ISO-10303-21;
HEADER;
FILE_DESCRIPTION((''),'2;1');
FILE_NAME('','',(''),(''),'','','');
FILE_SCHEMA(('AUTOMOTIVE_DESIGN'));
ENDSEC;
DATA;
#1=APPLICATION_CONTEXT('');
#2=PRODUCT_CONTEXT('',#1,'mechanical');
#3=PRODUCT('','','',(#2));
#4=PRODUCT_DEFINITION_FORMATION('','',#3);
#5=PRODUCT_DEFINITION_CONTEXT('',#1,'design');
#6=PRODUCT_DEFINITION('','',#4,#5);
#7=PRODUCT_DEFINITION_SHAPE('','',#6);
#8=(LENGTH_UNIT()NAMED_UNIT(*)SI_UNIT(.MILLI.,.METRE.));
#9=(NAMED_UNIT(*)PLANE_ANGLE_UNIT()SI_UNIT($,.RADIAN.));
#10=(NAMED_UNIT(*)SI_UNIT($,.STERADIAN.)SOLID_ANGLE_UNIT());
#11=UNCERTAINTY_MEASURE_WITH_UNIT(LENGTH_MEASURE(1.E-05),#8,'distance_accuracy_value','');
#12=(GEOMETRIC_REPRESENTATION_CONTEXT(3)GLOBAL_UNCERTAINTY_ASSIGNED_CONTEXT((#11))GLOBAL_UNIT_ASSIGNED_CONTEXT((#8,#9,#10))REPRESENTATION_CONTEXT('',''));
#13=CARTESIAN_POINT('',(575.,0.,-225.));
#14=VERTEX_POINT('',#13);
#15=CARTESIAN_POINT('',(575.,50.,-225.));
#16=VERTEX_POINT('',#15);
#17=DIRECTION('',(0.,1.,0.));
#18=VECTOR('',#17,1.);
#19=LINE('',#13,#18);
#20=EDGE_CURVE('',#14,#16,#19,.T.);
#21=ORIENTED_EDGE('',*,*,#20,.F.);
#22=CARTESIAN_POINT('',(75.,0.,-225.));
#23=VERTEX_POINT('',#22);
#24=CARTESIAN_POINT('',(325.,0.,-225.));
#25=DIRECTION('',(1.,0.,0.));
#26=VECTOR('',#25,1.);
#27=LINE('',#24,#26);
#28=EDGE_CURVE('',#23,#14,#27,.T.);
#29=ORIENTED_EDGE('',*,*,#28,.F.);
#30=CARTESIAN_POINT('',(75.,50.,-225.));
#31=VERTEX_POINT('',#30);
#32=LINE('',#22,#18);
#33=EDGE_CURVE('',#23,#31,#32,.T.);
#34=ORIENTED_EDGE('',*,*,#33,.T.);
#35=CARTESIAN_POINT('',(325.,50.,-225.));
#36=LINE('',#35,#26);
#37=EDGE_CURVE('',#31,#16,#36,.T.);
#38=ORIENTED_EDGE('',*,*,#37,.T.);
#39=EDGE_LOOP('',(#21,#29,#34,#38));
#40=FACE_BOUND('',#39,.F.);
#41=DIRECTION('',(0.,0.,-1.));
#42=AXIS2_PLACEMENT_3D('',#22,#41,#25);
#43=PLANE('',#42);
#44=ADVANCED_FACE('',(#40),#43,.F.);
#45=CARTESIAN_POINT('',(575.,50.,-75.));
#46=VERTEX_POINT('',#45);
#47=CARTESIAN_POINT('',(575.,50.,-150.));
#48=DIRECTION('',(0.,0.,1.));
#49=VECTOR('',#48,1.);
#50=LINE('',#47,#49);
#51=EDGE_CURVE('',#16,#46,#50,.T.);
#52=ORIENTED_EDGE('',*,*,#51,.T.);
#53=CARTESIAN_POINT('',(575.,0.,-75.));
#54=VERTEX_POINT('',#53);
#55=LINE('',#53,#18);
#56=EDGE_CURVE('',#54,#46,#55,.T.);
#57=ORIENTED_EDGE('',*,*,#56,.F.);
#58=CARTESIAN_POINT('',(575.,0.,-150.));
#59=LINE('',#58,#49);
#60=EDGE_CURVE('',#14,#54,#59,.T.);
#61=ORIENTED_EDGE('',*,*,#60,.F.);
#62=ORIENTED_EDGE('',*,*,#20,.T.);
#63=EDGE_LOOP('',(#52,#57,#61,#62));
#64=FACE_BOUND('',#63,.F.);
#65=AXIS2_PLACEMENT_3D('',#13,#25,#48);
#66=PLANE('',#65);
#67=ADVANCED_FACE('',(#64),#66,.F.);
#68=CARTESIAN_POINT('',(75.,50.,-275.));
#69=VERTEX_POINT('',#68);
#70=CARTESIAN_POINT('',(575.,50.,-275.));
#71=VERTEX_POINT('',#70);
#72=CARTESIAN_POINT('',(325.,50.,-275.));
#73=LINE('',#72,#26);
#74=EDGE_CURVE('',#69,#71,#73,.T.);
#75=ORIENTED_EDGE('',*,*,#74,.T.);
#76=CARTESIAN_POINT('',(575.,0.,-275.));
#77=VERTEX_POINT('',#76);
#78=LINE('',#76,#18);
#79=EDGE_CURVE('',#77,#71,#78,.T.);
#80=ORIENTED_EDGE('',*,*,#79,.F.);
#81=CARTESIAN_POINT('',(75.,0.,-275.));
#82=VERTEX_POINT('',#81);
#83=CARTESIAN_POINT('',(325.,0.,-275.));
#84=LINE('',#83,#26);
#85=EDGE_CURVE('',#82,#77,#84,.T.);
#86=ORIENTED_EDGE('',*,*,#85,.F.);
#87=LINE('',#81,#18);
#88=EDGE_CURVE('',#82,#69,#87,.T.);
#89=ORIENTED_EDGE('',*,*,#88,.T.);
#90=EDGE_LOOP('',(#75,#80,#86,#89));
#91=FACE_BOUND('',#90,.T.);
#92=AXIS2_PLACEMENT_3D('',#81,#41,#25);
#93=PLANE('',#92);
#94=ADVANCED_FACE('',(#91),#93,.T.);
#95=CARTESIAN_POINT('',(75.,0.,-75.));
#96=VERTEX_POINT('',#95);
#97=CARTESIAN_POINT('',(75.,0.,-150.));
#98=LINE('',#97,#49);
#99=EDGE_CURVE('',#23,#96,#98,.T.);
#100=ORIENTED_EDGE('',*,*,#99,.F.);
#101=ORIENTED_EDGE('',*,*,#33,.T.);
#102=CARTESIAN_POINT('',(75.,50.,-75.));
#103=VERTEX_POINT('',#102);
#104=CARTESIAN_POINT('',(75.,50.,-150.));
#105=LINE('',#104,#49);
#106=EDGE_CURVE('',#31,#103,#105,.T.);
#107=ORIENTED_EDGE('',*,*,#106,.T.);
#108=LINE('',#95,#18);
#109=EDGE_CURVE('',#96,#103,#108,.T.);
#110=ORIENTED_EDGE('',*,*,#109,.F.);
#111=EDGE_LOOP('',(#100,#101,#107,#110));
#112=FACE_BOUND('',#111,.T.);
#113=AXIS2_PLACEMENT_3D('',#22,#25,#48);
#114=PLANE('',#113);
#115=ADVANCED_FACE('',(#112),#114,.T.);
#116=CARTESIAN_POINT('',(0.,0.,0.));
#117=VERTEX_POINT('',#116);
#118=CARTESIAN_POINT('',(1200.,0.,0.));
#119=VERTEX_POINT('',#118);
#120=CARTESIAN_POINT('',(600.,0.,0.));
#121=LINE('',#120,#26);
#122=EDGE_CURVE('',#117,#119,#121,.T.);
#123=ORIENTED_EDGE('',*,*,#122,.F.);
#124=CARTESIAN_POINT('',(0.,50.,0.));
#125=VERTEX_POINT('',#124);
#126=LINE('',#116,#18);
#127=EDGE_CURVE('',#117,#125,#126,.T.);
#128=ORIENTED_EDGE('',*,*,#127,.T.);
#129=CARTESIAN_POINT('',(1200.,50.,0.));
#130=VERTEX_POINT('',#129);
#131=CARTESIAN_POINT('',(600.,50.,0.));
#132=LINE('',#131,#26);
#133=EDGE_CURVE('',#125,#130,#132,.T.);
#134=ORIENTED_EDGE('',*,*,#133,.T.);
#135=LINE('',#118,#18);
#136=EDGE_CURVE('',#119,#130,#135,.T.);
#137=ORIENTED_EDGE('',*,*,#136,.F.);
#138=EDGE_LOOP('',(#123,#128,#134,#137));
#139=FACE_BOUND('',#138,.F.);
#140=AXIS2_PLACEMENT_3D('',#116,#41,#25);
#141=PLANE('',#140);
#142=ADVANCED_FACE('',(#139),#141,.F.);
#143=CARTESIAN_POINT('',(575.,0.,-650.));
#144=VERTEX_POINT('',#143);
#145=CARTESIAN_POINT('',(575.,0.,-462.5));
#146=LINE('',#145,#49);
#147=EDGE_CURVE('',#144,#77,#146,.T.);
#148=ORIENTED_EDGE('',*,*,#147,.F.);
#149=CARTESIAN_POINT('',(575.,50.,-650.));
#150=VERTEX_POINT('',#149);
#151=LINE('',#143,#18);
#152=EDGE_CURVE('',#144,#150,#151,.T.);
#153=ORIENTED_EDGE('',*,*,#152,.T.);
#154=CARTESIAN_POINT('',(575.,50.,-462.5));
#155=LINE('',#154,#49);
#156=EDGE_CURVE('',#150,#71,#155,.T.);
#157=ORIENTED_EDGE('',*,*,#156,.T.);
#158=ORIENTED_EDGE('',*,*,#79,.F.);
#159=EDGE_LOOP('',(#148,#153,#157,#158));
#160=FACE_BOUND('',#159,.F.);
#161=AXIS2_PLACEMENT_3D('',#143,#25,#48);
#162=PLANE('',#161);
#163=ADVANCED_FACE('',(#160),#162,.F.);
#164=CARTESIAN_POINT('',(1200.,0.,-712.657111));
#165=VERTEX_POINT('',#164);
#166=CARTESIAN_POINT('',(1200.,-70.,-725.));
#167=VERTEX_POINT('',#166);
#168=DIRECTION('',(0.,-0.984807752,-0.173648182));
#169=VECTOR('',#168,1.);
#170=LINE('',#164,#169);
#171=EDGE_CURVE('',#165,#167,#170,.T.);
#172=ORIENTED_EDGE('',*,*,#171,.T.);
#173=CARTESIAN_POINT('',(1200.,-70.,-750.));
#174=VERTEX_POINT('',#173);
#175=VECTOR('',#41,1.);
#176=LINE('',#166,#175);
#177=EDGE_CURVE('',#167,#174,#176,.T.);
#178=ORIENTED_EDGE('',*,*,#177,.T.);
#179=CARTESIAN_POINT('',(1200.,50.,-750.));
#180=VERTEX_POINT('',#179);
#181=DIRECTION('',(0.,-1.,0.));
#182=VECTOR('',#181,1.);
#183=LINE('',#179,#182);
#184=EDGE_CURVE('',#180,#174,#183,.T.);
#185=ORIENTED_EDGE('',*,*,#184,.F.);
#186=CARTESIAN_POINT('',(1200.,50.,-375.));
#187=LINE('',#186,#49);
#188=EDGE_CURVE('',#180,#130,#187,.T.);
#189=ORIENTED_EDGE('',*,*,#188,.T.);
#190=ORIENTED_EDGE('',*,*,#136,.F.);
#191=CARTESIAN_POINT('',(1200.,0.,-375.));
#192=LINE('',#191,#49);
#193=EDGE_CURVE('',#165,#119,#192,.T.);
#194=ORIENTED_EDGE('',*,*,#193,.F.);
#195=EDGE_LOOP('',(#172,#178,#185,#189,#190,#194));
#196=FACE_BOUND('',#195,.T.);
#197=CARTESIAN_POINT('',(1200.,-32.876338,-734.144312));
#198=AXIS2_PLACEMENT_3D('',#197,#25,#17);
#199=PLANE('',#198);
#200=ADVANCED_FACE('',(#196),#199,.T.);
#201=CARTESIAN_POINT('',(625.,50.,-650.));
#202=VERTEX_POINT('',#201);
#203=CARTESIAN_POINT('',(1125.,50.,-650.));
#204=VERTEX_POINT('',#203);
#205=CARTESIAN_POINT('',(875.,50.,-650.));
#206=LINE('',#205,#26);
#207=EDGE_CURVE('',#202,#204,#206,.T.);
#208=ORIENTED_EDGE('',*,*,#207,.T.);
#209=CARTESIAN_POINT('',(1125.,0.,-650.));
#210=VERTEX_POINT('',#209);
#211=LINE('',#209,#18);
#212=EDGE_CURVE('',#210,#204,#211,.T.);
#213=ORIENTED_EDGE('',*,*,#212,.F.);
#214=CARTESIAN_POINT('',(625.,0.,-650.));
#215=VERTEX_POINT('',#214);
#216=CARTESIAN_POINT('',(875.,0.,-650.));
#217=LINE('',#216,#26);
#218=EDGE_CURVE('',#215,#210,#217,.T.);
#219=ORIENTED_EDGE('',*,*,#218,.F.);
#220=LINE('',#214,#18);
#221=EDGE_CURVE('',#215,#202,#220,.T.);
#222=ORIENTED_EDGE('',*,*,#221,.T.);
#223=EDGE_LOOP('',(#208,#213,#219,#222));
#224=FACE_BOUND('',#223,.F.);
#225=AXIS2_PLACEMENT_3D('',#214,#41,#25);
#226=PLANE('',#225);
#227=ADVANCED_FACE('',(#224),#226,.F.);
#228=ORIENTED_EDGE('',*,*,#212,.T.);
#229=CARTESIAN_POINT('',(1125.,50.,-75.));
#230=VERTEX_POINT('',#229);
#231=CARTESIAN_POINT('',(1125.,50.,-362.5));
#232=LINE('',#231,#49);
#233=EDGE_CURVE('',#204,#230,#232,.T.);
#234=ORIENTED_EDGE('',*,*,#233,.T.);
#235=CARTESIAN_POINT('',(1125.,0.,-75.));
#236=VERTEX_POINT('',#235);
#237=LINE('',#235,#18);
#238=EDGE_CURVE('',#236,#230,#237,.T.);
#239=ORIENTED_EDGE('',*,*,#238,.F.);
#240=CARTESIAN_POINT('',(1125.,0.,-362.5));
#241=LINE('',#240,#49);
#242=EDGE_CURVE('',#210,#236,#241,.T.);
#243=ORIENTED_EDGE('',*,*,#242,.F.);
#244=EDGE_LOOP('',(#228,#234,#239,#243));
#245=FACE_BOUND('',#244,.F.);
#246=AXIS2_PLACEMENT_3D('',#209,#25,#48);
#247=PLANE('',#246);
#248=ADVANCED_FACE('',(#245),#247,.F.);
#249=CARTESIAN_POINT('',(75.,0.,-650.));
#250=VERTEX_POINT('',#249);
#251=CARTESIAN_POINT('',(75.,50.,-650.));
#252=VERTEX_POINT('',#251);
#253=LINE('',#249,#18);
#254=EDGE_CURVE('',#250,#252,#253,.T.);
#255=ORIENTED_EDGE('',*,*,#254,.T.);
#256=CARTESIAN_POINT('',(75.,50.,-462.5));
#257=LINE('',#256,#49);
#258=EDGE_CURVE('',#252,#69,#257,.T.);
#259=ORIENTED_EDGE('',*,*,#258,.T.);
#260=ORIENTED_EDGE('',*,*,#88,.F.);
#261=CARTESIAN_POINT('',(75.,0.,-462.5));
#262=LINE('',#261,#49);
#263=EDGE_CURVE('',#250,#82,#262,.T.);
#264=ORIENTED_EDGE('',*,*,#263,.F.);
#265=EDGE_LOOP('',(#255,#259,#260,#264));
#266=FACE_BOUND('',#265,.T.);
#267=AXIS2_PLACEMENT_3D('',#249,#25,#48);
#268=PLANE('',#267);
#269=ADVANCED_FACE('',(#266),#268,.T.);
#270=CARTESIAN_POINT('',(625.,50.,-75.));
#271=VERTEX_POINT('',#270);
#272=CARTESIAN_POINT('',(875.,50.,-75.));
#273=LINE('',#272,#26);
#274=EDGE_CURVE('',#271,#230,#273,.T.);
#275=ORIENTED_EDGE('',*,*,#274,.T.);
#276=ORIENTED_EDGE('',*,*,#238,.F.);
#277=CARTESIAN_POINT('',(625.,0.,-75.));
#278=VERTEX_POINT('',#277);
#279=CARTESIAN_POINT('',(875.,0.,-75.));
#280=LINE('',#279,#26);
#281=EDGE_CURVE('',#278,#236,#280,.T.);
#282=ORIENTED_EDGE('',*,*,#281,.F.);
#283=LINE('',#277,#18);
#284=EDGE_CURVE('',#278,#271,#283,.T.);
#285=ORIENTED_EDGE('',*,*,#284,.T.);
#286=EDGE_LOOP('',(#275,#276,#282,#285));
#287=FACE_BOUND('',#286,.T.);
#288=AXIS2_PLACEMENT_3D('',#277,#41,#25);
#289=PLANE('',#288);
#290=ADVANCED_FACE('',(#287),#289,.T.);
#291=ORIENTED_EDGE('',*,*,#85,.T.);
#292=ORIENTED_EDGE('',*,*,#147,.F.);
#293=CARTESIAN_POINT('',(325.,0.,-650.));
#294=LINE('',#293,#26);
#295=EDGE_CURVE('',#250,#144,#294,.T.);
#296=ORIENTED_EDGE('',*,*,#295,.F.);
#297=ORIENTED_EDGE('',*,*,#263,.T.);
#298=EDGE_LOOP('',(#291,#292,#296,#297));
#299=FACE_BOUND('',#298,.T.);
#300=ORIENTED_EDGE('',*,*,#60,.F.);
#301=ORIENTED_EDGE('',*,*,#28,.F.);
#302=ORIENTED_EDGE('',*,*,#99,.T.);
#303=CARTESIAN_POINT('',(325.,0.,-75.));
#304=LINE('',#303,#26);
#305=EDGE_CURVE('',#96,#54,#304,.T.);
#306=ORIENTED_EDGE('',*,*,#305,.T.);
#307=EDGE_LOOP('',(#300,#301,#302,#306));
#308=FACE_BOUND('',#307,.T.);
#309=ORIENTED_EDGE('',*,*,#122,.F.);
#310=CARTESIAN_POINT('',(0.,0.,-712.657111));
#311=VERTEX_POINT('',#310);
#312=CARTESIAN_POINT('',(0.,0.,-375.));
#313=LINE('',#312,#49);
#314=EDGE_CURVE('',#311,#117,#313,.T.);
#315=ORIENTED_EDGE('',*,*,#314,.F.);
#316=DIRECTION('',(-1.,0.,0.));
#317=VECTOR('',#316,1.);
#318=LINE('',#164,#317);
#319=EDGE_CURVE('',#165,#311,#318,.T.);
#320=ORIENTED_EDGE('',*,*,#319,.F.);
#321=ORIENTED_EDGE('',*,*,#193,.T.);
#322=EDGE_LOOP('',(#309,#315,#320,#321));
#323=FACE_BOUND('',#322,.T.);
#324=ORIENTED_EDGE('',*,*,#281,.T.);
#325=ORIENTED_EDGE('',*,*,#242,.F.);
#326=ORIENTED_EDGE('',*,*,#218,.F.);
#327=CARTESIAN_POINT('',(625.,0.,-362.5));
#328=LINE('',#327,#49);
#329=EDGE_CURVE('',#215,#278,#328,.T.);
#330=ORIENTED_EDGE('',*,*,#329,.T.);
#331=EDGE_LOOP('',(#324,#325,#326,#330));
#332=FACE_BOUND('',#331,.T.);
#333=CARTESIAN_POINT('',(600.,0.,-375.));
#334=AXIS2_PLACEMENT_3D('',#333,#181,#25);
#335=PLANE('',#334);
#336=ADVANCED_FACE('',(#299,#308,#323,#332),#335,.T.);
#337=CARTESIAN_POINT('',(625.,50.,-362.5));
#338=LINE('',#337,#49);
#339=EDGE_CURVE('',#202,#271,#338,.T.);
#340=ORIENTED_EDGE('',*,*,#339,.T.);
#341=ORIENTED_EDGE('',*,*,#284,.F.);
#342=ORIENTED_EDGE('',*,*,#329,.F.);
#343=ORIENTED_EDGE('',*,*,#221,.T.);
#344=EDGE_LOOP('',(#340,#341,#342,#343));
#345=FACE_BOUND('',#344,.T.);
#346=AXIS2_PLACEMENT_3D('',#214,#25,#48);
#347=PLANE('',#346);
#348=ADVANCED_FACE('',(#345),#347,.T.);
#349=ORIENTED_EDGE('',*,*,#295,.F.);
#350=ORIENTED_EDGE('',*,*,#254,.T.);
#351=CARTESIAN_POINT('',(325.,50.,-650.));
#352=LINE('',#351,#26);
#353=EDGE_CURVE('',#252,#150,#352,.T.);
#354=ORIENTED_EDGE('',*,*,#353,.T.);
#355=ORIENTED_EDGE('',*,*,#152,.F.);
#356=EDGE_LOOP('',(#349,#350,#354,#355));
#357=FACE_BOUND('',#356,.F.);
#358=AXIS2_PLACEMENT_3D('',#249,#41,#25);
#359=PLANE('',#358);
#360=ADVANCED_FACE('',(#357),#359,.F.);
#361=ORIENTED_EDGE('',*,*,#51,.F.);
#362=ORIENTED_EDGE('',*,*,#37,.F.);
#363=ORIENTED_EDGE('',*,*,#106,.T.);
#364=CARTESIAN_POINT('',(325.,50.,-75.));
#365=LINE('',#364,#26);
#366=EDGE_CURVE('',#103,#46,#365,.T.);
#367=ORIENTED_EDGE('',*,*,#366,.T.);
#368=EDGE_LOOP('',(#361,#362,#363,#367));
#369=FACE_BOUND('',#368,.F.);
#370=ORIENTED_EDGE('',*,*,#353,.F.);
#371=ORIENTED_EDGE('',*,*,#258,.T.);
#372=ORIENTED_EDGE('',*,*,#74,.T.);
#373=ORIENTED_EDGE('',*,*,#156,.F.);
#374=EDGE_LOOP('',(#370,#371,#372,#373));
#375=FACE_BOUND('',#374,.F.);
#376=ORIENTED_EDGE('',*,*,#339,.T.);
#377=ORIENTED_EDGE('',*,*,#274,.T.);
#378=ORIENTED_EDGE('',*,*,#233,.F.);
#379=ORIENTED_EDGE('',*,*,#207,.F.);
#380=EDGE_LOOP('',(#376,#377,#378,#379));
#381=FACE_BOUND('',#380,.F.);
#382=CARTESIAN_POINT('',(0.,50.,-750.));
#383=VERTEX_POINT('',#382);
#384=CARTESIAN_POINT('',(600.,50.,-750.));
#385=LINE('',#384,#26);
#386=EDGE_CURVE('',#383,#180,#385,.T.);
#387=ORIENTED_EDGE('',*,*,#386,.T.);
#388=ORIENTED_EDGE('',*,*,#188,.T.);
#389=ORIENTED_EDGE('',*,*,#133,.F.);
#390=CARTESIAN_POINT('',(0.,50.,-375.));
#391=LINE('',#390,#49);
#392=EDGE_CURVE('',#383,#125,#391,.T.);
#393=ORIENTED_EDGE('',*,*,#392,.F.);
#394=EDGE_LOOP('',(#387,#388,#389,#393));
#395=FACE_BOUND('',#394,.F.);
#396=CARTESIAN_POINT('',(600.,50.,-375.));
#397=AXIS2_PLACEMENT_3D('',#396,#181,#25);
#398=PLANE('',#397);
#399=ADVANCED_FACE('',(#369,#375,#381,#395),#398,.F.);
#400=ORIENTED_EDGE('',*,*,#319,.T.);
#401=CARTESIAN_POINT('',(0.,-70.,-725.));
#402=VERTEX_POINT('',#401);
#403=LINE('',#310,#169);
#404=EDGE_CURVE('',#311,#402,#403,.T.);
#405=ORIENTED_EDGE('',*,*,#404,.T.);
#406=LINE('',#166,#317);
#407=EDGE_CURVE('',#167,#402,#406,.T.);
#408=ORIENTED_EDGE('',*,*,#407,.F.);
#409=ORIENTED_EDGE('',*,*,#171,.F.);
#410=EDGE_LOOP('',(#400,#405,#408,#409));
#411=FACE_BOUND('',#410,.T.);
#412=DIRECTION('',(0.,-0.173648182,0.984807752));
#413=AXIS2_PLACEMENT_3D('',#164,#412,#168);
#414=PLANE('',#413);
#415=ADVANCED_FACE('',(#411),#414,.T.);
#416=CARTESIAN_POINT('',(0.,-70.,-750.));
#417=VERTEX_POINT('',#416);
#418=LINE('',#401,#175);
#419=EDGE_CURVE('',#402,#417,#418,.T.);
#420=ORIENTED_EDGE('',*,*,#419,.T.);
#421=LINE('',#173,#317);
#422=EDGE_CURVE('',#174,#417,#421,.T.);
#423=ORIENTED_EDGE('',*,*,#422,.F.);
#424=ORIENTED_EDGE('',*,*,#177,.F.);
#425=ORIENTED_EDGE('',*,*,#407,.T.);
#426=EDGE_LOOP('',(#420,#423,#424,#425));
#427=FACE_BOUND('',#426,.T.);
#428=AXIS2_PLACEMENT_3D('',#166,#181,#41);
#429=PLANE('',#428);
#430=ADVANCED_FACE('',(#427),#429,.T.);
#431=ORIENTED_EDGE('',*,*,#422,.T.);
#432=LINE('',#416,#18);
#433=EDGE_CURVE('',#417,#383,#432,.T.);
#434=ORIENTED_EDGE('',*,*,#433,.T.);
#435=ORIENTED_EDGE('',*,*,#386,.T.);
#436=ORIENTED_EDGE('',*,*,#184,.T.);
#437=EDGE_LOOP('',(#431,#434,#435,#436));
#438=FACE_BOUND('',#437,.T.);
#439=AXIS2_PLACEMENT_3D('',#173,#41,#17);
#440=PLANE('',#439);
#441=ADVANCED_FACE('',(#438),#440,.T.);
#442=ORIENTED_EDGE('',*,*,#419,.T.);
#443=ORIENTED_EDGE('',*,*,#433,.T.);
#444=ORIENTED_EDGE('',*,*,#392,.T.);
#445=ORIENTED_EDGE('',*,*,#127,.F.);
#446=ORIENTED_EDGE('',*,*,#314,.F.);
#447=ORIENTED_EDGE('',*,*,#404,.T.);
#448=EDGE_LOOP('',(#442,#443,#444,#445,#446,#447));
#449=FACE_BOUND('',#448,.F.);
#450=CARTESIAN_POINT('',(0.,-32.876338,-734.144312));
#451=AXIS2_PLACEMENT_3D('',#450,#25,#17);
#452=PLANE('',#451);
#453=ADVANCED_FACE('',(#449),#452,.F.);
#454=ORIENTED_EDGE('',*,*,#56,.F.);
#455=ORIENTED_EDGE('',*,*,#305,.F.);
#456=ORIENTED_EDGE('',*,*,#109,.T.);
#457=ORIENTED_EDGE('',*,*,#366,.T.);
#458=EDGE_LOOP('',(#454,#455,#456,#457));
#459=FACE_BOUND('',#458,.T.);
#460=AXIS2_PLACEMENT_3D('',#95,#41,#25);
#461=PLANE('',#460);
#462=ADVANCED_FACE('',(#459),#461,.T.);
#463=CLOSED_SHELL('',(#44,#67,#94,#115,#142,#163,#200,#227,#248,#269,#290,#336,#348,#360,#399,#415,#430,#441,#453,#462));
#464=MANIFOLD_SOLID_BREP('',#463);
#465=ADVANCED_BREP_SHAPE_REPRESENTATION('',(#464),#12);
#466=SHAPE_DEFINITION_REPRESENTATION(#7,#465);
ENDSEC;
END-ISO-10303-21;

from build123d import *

# Parameters (mm, degrees)
F0_W     = 1200
F0_H     = 750
F0_W_2   = 500
F0_H_2   = 375
F0_H_3   = 150
F0_H_4   = 575
F1_DEPTH = 50
F3_DEPTH = 1200


with BuildPart() as f1:
    # F0 (on Front) → F1 (new body)
    with BuildSketch(Plane.XZ):
        with Locations((600, -375)):
            Rectangle(F0_W, F0_H)
        with Locations((325, -462.5)):
            Rectangle(F0_W_2, F0_H_2, mode=Mode.SUBTRACT)
        with Locations((325, -150)):
            Rectangle(F0_W_2, F0_H_3, mode=Mode.SUBTRACT)
        with Locations((875, -362.5)):
            Rectangle(F0_W_2, F0_H_4, mode=Mode.SUBTRACT)
    extrude(amount=-F1_DEPTH)

    # F2 (on face) → F3 (join)
    with BuildSketch(Plane.YZ.offset(1200)):
        Polygon((-70, -750), (0, -750), (0, -712.657111), (-70, -725), align=None)
    extrude(amount=-F3_DEPTH)


solid = f1.part
